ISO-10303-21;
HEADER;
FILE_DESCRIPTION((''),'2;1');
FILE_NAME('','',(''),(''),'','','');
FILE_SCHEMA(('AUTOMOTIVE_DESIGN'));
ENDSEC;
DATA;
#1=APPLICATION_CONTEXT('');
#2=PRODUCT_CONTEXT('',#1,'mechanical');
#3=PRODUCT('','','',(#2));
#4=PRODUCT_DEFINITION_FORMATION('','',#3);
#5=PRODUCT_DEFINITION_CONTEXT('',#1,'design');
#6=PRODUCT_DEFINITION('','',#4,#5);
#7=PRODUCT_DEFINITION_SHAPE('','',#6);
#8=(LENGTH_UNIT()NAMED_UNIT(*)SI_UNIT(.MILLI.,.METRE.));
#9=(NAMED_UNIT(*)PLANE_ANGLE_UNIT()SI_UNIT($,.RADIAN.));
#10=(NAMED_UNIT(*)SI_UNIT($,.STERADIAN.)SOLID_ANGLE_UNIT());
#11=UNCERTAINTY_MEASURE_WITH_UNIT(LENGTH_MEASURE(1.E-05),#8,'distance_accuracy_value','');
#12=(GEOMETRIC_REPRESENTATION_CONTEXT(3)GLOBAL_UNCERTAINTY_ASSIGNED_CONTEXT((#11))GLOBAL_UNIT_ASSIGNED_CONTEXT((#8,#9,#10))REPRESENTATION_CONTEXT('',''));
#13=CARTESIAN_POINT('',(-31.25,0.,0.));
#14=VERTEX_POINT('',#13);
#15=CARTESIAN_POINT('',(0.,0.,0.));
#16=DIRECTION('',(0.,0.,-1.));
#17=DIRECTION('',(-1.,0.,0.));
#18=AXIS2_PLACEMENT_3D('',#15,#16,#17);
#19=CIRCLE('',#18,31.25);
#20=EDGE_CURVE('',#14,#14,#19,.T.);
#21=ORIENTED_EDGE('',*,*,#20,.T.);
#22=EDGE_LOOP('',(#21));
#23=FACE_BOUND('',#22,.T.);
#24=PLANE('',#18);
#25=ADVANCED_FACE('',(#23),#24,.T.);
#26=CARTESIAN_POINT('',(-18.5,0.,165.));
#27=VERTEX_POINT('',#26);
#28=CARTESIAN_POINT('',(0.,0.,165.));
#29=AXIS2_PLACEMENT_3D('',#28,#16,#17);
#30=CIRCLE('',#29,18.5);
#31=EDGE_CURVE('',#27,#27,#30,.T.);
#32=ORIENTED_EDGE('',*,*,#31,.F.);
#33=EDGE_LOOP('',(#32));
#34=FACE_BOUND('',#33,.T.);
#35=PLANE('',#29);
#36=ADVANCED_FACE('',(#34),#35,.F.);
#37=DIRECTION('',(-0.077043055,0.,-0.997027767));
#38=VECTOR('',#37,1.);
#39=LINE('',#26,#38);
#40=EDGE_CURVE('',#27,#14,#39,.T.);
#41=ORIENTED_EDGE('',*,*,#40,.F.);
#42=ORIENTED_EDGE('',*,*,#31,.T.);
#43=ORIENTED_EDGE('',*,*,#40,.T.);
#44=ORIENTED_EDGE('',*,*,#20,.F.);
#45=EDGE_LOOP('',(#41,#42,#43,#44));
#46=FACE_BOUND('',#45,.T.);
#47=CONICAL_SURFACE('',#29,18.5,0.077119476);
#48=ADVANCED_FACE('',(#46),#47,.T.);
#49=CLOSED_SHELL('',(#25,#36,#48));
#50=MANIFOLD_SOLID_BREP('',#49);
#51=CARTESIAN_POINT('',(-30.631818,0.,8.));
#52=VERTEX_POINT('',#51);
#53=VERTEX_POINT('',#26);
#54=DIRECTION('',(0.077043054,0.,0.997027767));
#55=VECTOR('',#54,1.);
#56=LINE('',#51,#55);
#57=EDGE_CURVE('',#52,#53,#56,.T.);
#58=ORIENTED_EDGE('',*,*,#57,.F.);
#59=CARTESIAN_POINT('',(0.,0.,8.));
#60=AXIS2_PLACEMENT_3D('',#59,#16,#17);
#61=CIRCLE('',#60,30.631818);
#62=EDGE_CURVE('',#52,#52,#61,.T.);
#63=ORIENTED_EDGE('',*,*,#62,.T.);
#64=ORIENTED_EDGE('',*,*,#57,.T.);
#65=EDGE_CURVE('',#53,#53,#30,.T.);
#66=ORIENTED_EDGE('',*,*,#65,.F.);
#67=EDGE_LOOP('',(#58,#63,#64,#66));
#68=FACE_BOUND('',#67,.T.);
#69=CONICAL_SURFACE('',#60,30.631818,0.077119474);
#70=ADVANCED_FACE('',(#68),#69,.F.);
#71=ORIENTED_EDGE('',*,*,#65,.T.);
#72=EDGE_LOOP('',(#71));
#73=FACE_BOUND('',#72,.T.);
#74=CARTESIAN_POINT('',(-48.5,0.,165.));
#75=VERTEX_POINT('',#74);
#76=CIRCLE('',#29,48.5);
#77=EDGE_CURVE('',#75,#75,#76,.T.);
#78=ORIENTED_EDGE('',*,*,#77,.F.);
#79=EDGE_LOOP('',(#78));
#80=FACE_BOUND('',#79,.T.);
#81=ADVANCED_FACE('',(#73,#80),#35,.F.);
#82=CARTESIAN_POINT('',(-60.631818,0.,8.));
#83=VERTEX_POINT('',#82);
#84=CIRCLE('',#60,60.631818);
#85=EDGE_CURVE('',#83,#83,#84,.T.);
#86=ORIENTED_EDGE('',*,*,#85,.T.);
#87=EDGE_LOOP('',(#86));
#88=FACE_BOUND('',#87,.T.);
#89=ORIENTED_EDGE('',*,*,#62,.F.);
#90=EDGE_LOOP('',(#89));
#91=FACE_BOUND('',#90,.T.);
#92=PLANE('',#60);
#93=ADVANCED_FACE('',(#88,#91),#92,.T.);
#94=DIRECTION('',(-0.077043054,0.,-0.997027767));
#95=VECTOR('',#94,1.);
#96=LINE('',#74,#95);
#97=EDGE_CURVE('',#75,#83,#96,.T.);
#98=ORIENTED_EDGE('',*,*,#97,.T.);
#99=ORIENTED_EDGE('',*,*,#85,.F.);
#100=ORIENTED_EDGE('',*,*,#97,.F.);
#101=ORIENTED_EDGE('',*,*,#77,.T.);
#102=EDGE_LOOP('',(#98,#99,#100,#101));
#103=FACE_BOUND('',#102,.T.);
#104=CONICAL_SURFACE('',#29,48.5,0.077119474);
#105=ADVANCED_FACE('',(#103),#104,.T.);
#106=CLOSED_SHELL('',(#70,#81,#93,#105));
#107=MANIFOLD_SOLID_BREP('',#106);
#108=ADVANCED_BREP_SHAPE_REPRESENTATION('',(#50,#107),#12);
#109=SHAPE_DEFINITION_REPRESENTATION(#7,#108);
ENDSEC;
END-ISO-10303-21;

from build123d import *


with BuildPart() as f1:
    # F0 (on Front) → F1 (revolve)
    with BuildSketch(Plane.XZ):
        Polygon((-31.25, 0), (0, 0), (0, 165), (-18.5, 165), align=None)
    revolve(axis=Axis((0, 0, 82.5), (0, 0, -1)))


with BuildPart() as f3:
    # F2 (on Front) → F3 (revolve)
    with BuildSketch(Plane.XZ):
        Polygon((-60.631818, 8), (-30.631818, 8), (-18.5, 165), (-48.5, 165), align=None)
    revolve(axis=Axis((0, 0, 86.5), (0, 0, -1)))


solid = Compound([f1.part, f3.part])
